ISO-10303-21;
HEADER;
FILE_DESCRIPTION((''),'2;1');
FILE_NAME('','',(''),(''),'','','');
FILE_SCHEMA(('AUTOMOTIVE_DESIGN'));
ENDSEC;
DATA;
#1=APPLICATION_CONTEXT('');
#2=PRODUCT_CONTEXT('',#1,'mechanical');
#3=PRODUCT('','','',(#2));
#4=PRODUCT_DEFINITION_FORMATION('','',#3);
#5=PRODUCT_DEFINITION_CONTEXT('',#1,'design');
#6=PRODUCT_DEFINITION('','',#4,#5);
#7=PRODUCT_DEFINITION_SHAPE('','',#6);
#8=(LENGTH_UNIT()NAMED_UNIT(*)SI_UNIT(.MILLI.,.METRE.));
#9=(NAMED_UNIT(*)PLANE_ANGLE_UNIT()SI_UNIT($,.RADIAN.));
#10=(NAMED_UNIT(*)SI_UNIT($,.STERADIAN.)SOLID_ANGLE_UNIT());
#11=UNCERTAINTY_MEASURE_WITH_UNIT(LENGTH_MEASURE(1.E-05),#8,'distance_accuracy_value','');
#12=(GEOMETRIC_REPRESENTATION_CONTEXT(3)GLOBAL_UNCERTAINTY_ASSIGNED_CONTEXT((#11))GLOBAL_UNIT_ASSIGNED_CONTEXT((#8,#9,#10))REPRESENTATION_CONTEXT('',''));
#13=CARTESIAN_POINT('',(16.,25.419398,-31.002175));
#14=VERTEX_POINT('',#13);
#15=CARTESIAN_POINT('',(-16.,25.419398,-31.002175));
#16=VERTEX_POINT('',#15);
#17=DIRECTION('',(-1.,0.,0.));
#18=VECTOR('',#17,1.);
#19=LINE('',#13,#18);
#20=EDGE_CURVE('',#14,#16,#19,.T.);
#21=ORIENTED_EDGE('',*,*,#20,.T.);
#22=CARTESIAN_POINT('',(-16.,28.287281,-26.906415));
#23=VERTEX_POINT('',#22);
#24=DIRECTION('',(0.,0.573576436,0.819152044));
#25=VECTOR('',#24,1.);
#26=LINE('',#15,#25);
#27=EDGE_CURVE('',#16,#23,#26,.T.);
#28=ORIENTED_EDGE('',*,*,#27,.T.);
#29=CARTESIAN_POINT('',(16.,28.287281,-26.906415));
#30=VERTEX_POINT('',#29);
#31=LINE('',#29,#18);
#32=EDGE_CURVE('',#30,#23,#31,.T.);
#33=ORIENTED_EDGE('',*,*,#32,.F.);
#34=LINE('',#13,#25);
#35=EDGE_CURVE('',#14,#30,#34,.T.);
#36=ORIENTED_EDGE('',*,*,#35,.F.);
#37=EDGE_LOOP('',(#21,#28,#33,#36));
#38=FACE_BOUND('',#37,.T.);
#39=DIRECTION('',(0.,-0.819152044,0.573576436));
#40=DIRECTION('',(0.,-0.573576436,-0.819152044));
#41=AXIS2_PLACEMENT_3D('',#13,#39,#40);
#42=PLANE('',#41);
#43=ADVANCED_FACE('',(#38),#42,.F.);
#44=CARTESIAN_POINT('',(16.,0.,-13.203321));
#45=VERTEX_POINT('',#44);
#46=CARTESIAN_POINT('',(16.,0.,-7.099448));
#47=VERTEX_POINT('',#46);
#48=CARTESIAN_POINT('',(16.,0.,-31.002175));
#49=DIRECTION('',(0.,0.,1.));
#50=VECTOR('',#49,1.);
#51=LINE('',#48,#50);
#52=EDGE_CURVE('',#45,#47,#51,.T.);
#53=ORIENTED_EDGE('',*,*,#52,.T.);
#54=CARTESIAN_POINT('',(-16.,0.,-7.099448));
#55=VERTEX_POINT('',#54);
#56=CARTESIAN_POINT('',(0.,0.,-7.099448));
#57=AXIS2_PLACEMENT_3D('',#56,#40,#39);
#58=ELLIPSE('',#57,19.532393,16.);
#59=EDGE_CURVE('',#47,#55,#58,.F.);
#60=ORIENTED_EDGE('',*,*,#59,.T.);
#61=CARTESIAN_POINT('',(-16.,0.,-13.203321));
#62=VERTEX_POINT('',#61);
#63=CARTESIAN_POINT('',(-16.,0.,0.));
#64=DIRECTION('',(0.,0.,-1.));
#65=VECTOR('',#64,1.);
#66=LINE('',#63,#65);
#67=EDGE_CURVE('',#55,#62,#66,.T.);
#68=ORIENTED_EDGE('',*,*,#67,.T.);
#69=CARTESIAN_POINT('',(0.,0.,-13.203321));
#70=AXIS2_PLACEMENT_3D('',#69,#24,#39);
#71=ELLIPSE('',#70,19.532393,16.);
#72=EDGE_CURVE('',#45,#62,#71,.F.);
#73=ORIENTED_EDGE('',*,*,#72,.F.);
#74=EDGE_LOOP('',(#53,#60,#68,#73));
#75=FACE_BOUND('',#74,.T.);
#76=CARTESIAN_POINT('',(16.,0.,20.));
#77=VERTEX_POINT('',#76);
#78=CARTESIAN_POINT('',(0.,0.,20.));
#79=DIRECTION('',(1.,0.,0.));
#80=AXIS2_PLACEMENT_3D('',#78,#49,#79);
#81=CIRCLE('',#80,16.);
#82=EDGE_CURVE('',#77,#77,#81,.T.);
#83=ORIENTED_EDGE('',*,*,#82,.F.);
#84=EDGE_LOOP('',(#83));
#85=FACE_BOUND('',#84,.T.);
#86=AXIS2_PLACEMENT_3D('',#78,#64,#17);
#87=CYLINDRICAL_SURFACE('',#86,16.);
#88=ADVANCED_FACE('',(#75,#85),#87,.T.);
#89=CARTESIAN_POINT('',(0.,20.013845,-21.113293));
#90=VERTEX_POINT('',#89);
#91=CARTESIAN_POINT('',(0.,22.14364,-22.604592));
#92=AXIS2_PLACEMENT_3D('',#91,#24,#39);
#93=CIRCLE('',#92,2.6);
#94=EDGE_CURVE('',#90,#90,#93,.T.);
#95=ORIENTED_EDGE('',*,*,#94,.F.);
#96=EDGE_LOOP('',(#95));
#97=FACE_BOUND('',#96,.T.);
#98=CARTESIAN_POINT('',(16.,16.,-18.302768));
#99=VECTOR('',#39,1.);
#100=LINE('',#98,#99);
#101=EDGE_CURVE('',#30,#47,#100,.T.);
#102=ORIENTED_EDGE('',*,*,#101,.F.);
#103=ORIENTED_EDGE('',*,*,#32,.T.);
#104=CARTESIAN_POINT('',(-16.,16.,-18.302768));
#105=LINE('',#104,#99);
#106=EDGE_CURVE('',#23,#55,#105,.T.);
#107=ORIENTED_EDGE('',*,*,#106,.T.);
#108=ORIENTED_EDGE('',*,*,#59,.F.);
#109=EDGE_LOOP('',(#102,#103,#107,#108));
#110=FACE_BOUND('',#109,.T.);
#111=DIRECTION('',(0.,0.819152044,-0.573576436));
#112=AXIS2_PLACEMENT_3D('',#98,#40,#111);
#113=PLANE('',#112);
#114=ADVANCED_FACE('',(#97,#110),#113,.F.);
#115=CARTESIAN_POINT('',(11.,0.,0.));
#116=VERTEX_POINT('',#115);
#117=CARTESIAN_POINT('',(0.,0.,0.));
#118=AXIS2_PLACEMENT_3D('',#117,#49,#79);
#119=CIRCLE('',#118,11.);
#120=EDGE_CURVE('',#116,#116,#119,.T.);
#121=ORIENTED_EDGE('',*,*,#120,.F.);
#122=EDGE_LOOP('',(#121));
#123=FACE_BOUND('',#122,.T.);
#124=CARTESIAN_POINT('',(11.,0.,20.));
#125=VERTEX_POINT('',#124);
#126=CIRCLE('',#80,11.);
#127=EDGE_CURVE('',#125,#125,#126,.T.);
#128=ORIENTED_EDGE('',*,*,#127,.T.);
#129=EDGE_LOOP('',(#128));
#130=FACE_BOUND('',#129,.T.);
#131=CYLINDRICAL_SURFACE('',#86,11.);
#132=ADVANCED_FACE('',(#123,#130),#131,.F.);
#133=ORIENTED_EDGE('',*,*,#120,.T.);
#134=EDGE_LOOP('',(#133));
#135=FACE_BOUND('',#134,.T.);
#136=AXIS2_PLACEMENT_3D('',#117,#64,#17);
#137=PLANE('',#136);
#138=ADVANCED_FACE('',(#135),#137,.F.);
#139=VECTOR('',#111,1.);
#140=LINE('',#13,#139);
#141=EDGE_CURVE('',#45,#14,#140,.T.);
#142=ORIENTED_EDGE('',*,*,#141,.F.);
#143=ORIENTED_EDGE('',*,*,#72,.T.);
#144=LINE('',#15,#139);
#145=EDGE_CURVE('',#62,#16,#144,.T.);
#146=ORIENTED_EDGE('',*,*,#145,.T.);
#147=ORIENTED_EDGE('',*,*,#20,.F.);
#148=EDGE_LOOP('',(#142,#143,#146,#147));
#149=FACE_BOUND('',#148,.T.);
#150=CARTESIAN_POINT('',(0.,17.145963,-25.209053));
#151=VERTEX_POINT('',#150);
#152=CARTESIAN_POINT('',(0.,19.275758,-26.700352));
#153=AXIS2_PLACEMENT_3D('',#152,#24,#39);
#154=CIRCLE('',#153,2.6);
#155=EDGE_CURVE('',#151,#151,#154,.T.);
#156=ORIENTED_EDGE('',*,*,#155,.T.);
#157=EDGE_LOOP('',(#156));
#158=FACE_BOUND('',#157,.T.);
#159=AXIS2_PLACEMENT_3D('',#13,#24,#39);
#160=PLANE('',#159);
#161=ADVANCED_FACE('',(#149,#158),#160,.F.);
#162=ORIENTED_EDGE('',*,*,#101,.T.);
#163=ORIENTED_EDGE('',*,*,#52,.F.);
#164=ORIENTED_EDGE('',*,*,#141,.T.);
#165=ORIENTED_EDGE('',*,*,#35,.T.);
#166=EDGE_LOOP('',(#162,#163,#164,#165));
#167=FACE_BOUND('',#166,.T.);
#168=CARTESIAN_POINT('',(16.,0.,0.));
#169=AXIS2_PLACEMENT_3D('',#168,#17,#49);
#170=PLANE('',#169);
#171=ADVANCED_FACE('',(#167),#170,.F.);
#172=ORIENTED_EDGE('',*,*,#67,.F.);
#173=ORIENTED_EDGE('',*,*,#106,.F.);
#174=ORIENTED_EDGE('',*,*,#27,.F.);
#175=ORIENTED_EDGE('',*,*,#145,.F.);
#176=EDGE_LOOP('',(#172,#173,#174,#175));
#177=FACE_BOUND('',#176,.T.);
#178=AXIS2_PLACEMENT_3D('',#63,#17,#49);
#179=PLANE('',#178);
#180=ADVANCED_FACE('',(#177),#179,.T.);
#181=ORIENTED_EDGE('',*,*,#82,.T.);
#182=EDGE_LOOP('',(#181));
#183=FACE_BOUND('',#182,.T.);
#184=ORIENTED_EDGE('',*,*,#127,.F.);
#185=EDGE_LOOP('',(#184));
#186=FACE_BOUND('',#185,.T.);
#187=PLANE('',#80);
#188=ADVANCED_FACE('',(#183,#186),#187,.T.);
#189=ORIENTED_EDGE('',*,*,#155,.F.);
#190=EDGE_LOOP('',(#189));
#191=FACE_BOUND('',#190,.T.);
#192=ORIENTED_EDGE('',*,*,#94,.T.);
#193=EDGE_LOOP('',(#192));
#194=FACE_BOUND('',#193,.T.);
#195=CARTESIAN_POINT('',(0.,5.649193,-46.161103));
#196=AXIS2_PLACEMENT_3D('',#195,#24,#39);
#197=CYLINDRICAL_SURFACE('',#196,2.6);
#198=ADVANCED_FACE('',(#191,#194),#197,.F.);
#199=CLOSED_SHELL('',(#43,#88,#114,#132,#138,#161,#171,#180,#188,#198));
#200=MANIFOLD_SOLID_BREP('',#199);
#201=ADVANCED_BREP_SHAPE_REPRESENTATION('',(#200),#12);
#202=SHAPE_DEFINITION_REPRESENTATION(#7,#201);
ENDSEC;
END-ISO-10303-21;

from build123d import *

# Parameters (mm, degrees)
SKETCH1_R                = 16
SKETCH1_R_2              = 11
BOSS_EXTRUDE1_DEPTH      = 20
SKETCH2_R                = 16
BOSS_EXTRUDE2_DEPTH      = 2
BOSS_EXTRUDE3_DEPTH      = 16
BOSS_EXTRUDE3_DEPTH_BACK = 16
CUT_EXTRUDE1_DEPTH       = 30.002175046
BOSS_EXTRUDE4_REACH      = 31.002
SKETCH5_R                = 16
SKETCH6_R                = 2.6
CUT_EXTRUDE3_DEPTH       = 29.757190977


with BuildPart() as part:
    # Sketch1 → Boss-Extrude1 (new body)
    with BuildSketch(Plane.XY):
        Circle(SKETCH1_R)
        Circle(SKETCH1_R_2, mode=Mode.SUBTRACT)
    extrude(amount=BOSS_EXTRUDE1_DEPTH)

    # Sketch2 → Boss-Extrude2 (add)
    with BuildSketch(Plane(origin=(0, 0, 0), x_dir=(-1, 0, 0), z_dir=(0, 0, -1))):
        Circle(SKETCH2_R)
    extrude(amount=BOSS_EXTRUDE2_DEPTH)

    # Sketch3 → Boss-Extrude3 (add, two sides)
    with BuildSketch(Plane(origin=(0, 0, 0), x_dir=(0, 0, -1), z_dir=(1, 0, 0))) as boss_extrude3_sk:
        Polygon((31.002175046, 25.419398483), (26.906414824, 28.287280664), (18.302768279, 16), (2, -7.282766022), (2, -16), align=None)
    extrude(amount=BOSS_EXTRUDE3_DEPTH)
    extrude(boss_extrude3_sk.sketch, amount=-BOSS_EXTRUDE3_DEPTH_BACK)

    # Sketch4 → Cut-Extrude1 (cut, through all)
    with BuildSketch(Plane(origin=(0, 0, -2), x_dir=(-1, 0, 0), z_dir=(0, 0, -1))):
        with BuildLine():
            Line((34.266518051, 0), (16, 0))
            ThreePointArc((16, 0), (15.555436181, -3.745451268), (14.24644935, -7.282766022))
            ThreePointArc((14.24644935, -7.282766022), (0, -16), (-14.24644935, -7.282766022))
            ThreePointArc((-14.24644935, -7.282766022), (-15.555436181, -3.745451268), (-16, 0))
            Line((-16, 0), (-34.430612934, 0))
            Line((-34.430612934, 0), (-36.46308972, -20.488677285))
            Line((-36.46308972, -20.488677285), (32.179774964, -27.298049462))
            Line((32.179774964, -27.298049462), (34.266518051, 0))
        make_face()
    extrude(amount=CUT_EXTRUDE1_DEPTH, mode=Mode.SUBTRACT)

    # Sketch5 → Boss-Extrude4 (add, up to next)
    with BuildSketch(Plane(origin=(0, 0, -2), x_dir=(-1, 0, 0), z_dir=(0, 0, -1)), mode=Mode.PRIVATE) as boss_extrude4_sk1:
        Circle(SKETCH5_R)
    boss_extrude4_tool1 = extrude(boss_extrude4_sk1.sketch, amount=BOSS_EXTRUDE4_REACH, mode=Mode.PRIVATE) - part.part
    add(boss_extrude4_tool1.solids().sort_by_distance((0, 0, -2))[0])

    # Sketch6 → Cut-Extrude3 (cut, through all)
    with BuildSketch(Plane(origin=(0, -3.335649292, -4.763800888), x_dir=(1, 0, 0), z_dir=(0, 0.573576436, 0.819152044))):
        with Locations((0, 31.104469313)):
            Circle(SKETCH6_R)
    extrude(amount=-CUT_EXTRUDE3_DEPTH, mode=Mode.SUBTRACT)


solid = part.part
